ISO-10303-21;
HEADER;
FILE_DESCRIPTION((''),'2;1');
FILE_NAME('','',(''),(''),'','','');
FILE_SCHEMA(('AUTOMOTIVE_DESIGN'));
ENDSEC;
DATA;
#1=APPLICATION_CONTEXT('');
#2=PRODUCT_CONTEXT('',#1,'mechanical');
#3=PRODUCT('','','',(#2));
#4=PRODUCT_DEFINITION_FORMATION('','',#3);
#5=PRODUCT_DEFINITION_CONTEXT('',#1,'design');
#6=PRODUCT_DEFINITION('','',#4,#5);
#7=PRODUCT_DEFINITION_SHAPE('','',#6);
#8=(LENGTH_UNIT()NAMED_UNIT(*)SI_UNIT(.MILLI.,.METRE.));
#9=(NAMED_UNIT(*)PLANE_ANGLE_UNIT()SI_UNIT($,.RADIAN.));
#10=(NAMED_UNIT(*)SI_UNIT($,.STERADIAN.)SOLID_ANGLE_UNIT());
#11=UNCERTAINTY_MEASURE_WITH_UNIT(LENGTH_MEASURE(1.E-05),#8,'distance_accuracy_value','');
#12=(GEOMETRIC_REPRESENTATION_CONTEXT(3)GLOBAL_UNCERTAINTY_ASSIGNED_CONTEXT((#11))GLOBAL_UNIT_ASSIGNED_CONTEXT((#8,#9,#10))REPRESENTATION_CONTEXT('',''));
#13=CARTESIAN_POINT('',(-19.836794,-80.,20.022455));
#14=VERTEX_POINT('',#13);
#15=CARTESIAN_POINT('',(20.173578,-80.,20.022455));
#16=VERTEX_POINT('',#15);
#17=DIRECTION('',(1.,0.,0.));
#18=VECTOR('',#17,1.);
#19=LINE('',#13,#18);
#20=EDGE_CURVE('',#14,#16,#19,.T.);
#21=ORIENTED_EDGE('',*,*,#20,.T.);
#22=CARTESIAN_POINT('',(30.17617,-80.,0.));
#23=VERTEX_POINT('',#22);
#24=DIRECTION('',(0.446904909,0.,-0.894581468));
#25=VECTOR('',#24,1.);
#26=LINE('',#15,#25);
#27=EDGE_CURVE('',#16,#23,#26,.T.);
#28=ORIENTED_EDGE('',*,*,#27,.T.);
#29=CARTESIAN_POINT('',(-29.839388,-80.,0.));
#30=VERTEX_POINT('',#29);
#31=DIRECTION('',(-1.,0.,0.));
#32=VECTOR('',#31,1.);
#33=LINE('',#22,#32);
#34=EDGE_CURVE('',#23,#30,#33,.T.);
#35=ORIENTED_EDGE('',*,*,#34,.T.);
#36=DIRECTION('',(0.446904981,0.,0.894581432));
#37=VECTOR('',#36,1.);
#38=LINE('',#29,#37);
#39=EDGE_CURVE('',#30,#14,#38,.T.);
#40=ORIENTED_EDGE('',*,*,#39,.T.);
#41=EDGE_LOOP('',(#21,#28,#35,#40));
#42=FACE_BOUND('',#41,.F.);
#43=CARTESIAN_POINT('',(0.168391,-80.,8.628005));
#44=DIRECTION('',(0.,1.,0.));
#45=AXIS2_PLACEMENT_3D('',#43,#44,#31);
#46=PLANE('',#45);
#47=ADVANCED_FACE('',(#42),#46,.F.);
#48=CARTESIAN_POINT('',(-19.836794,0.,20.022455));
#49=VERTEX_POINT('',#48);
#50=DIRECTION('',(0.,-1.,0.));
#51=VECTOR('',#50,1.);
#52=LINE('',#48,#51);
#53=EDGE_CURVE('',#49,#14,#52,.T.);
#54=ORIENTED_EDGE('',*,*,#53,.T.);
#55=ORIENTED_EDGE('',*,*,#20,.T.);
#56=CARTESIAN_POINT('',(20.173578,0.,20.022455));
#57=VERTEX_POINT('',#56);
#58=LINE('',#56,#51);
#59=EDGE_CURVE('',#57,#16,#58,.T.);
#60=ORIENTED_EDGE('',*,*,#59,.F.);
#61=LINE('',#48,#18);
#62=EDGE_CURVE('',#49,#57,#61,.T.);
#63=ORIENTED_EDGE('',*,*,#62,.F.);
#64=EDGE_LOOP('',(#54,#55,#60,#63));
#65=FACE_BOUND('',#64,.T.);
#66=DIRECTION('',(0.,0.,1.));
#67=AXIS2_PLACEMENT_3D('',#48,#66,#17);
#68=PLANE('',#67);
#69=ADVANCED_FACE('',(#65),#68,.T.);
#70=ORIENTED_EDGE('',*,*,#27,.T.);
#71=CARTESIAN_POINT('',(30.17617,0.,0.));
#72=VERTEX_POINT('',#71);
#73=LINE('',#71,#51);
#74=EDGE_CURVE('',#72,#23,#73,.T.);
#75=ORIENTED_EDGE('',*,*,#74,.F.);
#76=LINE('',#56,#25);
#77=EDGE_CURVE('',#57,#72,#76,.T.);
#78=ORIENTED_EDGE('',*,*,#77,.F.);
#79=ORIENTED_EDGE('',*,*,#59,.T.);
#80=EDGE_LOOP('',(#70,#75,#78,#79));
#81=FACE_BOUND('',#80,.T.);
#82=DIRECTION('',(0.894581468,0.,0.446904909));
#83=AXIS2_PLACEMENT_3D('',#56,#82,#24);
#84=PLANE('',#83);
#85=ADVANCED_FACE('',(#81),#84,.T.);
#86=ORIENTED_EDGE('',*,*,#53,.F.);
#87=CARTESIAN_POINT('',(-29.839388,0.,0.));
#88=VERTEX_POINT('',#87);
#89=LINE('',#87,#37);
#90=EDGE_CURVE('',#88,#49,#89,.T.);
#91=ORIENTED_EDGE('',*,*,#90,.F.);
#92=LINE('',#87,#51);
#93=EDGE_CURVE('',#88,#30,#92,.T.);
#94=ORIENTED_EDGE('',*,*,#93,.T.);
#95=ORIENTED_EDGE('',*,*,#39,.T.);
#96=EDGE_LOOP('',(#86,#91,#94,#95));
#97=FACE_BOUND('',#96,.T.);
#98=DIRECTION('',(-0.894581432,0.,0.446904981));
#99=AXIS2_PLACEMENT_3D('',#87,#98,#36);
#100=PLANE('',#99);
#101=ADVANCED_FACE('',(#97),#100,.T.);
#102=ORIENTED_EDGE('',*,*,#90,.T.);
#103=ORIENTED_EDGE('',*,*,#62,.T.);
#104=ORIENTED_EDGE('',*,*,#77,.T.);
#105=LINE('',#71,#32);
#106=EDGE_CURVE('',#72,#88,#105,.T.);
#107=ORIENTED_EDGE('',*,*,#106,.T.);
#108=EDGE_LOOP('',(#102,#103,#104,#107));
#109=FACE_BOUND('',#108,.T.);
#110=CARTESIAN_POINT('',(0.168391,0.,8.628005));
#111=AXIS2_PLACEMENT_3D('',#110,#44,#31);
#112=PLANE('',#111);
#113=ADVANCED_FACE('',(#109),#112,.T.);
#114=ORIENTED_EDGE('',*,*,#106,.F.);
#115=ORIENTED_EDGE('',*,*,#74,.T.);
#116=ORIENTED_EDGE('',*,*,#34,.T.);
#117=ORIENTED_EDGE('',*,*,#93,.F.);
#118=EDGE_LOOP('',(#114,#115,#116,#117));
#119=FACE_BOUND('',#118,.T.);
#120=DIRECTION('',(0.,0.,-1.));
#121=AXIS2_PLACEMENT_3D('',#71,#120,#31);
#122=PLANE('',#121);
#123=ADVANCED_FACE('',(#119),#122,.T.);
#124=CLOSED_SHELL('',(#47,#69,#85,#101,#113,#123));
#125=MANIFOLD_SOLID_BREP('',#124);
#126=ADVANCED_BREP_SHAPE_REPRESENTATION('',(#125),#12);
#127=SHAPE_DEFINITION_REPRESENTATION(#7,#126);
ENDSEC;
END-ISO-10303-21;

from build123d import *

# Parameters (mm, degrees)
PAD_DEPTH            = 80
BODY_PLACEMENT_ANGLE = 90


with BuildPart() as part:
    # Sketch → Pad (new body)
    with BuildSketch(Plane.XY):
        Polygon((-19.836794, 20.022455), (20.173578, 20.022455), (30.17617, 0), (-29.839388, 0), align=None)
    extrude(amount=PAD_DEPTH)


with BuildPart() as part_1:
    # Body placement: moved
    add(part.part.rotate(Axis((0, 0, 0), (1, 0, 0)), BODY_PLACEMENT_ANGLE))


solid = part_1.part
